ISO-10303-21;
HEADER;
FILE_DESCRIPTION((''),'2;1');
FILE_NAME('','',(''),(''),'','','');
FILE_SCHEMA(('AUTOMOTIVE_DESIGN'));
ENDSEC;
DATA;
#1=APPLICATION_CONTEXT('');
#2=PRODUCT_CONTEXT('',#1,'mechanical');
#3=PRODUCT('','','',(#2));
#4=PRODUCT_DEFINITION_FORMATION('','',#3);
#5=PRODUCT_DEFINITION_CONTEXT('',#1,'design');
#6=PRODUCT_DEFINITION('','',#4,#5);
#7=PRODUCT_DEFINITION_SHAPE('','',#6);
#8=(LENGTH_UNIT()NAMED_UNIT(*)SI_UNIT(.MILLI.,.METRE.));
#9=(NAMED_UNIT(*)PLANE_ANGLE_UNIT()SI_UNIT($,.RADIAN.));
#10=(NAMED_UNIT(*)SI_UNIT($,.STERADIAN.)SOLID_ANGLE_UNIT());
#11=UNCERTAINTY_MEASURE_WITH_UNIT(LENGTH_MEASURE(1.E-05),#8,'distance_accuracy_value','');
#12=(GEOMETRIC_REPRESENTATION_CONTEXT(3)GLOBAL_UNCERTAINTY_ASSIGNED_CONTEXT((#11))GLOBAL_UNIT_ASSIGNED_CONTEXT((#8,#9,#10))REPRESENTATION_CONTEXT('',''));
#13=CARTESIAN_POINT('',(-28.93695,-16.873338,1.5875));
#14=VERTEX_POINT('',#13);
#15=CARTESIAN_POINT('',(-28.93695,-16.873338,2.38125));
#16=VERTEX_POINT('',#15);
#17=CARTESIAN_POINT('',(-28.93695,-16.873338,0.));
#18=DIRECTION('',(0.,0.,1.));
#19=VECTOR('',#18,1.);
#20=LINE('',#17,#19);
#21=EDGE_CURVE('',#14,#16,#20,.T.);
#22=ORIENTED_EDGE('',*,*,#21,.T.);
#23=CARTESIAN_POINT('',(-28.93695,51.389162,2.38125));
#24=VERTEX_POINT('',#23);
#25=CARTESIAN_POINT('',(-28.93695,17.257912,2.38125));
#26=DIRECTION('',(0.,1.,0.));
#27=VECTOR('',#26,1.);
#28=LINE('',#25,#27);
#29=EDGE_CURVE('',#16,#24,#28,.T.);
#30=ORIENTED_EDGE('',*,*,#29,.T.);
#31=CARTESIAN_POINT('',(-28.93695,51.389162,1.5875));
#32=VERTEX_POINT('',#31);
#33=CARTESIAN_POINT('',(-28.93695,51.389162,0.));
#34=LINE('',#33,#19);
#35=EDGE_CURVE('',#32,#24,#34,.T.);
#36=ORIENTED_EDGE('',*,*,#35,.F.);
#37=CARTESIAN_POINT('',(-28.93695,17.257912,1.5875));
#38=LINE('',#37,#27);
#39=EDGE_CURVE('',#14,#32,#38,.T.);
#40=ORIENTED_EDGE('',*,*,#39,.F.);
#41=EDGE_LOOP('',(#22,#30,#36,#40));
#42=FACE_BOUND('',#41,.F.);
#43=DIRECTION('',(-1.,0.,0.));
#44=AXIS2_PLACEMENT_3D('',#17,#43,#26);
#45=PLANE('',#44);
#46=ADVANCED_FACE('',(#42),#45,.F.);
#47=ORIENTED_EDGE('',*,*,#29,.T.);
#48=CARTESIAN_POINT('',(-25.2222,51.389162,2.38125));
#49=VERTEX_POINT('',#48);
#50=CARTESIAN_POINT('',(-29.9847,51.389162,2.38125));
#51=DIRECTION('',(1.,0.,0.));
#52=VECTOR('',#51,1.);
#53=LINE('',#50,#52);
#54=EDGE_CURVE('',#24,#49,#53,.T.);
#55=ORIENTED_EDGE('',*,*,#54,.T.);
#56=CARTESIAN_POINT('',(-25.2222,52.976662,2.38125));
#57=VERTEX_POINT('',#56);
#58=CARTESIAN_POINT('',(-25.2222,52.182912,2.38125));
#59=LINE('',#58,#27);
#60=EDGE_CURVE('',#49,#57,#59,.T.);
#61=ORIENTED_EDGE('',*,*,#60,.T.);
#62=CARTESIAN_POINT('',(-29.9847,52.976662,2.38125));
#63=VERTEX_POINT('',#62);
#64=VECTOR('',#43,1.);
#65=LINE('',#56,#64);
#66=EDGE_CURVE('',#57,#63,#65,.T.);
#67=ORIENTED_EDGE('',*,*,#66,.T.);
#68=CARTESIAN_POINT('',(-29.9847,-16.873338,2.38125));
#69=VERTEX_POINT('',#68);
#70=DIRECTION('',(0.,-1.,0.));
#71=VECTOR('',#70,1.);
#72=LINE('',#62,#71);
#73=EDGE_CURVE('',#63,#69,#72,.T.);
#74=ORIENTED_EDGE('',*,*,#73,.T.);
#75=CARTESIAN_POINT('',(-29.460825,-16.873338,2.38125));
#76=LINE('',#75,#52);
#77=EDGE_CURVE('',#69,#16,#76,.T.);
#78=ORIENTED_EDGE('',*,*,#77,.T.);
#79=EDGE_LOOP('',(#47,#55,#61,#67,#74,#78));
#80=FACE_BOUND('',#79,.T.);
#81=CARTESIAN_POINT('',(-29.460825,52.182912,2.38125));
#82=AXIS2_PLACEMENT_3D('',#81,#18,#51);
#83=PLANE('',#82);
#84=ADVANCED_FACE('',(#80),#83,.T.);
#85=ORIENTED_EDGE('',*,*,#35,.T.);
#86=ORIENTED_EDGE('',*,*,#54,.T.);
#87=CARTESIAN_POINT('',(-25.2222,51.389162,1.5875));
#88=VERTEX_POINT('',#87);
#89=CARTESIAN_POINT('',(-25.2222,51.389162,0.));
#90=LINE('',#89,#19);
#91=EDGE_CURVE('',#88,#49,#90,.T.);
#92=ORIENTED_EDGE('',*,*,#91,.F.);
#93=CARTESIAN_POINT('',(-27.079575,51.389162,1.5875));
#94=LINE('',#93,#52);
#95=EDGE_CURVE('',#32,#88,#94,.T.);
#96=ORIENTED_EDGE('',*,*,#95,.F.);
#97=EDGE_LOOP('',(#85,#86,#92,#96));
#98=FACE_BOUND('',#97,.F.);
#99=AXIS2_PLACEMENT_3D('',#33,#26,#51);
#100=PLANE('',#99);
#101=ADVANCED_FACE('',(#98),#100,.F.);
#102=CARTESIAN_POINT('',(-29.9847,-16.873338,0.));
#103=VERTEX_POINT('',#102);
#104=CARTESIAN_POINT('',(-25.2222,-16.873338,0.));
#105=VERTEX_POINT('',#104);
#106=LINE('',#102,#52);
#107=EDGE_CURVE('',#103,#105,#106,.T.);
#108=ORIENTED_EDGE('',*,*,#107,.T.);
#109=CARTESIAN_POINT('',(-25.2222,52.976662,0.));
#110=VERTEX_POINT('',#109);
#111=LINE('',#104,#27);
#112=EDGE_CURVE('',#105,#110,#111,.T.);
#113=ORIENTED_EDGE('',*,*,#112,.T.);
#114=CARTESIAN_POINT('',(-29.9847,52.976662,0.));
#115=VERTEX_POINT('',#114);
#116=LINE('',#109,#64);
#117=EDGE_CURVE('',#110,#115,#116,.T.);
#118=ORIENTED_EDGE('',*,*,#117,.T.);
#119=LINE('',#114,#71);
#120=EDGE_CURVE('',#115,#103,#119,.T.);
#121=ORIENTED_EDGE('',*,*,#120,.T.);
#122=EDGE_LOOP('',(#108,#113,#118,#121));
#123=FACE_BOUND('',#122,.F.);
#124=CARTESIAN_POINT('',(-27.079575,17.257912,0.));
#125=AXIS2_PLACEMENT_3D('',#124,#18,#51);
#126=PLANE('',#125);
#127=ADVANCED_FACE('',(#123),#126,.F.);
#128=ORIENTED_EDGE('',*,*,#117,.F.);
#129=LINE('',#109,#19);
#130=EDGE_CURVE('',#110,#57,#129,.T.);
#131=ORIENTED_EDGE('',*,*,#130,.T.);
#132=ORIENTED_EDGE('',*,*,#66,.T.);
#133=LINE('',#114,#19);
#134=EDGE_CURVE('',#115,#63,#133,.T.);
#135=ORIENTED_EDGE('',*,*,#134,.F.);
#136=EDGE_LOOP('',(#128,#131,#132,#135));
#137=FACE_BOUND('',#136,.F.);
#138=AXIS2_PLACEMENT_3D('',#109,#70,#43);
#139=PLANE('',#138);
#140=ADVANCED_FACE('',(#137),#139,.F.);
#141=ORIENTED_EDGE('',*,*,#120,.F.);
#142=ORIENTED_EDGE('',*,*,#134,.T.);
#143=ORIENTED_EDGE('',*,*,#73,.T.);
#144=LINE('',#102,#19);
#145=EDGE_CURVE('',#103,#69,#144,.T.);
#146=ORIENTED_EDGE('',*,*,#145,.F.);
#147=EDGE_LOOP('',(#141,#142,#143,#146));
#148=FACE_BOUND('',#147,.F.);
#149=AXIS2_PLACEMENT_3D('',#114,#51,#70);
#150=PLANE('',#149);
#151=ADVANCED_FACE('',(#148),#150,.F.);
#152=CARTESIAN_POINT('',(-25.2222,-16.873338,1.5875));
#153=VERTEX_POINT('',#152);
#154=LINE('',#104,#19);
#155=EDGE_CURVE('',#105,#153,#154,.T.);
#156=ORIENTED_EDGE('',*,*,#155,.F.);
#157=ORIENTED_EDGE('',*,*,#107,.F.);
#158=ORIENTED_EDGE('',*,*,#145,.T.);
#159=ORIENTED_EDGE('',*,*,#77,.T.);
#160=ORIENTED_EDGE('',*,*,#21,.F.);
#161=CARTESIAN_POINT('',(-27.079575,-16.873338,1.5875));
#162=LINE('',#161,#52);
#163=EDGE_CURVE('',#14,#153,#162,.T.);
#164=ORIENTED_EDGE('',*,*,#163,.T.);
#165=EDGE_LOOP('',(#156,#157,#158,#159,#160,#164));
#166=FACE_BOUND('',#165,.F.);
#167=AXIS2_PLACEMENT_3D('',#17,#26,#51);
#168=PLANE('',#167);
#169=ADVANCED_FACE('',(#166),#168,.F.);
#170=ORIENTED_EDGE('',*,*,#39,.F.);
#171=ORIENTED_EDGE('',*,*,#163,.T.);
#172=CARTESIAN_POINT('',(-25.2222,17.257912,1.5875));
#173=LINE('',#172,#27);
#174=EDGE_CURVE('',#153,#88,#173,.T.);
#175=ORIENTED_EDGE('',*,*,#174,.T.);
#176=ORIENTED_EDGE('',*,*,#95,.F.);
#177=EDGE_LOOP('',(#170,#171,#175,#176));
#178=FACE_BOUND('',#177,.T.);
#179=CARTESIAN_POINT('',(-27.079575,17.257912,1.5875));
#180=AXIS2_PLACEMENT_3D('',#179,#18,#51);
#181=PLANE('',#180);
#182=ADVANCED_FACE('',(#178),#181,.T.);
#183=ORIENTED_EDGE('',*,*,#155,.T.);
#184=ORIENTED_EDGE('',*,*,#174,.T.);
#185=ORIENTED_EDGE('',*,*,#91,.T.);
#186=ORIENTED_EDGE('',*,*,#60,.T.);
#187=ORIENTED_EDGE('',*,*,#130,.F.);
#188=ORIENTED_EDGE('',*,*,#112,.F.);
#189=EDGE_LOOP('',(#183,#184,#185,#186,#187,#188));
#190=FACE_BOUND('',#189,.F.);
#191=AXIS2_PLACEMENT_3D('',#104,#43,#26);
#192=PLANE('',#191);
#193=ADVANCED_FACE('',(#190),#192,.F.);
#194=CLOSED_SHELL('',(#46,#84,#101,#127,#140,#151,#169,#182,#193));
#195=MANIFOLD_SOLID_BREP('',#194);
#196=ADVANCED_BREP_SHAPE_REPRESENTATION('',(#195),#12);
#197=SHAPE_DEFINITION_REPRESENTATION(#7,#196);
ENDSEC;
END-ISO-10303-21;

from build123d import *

# Parameters (mm, degrees)
F0_W     = 1.04775
F0_H     = 1.5875
F0_W_2   = 3.71475
F0_H_2   = 68.2625
F1_DEPTH = 2.38125
F2_DEPTH = 1.5875


with BuildPart() as f1:
    # F0 (on Top) → F1 (new body)
    with BuildSketch(Plane.XY):
        with Locations((-29.460825, 52.182912)):
            Rectangle(F0_W, F0_H)
        with Locations((-27.079575, 52.182912)):
            Rectangle(F0_W_2, F0_H)
        with Locations((-29.460825, 17.257912)):
            Rectangle(F0_W, F0_H_2)
    extrude(amount=F1_DEPTH)

    # F0 (on Top) → F2 (join)
    with BuildSketch(Plane.XY):
        with Locations((-27.079575, 17.257912)):
            Rectangle(F0_W_2, F0_H_2)
    extrude(amount=F2_DEPTH)


solid = f1.part
